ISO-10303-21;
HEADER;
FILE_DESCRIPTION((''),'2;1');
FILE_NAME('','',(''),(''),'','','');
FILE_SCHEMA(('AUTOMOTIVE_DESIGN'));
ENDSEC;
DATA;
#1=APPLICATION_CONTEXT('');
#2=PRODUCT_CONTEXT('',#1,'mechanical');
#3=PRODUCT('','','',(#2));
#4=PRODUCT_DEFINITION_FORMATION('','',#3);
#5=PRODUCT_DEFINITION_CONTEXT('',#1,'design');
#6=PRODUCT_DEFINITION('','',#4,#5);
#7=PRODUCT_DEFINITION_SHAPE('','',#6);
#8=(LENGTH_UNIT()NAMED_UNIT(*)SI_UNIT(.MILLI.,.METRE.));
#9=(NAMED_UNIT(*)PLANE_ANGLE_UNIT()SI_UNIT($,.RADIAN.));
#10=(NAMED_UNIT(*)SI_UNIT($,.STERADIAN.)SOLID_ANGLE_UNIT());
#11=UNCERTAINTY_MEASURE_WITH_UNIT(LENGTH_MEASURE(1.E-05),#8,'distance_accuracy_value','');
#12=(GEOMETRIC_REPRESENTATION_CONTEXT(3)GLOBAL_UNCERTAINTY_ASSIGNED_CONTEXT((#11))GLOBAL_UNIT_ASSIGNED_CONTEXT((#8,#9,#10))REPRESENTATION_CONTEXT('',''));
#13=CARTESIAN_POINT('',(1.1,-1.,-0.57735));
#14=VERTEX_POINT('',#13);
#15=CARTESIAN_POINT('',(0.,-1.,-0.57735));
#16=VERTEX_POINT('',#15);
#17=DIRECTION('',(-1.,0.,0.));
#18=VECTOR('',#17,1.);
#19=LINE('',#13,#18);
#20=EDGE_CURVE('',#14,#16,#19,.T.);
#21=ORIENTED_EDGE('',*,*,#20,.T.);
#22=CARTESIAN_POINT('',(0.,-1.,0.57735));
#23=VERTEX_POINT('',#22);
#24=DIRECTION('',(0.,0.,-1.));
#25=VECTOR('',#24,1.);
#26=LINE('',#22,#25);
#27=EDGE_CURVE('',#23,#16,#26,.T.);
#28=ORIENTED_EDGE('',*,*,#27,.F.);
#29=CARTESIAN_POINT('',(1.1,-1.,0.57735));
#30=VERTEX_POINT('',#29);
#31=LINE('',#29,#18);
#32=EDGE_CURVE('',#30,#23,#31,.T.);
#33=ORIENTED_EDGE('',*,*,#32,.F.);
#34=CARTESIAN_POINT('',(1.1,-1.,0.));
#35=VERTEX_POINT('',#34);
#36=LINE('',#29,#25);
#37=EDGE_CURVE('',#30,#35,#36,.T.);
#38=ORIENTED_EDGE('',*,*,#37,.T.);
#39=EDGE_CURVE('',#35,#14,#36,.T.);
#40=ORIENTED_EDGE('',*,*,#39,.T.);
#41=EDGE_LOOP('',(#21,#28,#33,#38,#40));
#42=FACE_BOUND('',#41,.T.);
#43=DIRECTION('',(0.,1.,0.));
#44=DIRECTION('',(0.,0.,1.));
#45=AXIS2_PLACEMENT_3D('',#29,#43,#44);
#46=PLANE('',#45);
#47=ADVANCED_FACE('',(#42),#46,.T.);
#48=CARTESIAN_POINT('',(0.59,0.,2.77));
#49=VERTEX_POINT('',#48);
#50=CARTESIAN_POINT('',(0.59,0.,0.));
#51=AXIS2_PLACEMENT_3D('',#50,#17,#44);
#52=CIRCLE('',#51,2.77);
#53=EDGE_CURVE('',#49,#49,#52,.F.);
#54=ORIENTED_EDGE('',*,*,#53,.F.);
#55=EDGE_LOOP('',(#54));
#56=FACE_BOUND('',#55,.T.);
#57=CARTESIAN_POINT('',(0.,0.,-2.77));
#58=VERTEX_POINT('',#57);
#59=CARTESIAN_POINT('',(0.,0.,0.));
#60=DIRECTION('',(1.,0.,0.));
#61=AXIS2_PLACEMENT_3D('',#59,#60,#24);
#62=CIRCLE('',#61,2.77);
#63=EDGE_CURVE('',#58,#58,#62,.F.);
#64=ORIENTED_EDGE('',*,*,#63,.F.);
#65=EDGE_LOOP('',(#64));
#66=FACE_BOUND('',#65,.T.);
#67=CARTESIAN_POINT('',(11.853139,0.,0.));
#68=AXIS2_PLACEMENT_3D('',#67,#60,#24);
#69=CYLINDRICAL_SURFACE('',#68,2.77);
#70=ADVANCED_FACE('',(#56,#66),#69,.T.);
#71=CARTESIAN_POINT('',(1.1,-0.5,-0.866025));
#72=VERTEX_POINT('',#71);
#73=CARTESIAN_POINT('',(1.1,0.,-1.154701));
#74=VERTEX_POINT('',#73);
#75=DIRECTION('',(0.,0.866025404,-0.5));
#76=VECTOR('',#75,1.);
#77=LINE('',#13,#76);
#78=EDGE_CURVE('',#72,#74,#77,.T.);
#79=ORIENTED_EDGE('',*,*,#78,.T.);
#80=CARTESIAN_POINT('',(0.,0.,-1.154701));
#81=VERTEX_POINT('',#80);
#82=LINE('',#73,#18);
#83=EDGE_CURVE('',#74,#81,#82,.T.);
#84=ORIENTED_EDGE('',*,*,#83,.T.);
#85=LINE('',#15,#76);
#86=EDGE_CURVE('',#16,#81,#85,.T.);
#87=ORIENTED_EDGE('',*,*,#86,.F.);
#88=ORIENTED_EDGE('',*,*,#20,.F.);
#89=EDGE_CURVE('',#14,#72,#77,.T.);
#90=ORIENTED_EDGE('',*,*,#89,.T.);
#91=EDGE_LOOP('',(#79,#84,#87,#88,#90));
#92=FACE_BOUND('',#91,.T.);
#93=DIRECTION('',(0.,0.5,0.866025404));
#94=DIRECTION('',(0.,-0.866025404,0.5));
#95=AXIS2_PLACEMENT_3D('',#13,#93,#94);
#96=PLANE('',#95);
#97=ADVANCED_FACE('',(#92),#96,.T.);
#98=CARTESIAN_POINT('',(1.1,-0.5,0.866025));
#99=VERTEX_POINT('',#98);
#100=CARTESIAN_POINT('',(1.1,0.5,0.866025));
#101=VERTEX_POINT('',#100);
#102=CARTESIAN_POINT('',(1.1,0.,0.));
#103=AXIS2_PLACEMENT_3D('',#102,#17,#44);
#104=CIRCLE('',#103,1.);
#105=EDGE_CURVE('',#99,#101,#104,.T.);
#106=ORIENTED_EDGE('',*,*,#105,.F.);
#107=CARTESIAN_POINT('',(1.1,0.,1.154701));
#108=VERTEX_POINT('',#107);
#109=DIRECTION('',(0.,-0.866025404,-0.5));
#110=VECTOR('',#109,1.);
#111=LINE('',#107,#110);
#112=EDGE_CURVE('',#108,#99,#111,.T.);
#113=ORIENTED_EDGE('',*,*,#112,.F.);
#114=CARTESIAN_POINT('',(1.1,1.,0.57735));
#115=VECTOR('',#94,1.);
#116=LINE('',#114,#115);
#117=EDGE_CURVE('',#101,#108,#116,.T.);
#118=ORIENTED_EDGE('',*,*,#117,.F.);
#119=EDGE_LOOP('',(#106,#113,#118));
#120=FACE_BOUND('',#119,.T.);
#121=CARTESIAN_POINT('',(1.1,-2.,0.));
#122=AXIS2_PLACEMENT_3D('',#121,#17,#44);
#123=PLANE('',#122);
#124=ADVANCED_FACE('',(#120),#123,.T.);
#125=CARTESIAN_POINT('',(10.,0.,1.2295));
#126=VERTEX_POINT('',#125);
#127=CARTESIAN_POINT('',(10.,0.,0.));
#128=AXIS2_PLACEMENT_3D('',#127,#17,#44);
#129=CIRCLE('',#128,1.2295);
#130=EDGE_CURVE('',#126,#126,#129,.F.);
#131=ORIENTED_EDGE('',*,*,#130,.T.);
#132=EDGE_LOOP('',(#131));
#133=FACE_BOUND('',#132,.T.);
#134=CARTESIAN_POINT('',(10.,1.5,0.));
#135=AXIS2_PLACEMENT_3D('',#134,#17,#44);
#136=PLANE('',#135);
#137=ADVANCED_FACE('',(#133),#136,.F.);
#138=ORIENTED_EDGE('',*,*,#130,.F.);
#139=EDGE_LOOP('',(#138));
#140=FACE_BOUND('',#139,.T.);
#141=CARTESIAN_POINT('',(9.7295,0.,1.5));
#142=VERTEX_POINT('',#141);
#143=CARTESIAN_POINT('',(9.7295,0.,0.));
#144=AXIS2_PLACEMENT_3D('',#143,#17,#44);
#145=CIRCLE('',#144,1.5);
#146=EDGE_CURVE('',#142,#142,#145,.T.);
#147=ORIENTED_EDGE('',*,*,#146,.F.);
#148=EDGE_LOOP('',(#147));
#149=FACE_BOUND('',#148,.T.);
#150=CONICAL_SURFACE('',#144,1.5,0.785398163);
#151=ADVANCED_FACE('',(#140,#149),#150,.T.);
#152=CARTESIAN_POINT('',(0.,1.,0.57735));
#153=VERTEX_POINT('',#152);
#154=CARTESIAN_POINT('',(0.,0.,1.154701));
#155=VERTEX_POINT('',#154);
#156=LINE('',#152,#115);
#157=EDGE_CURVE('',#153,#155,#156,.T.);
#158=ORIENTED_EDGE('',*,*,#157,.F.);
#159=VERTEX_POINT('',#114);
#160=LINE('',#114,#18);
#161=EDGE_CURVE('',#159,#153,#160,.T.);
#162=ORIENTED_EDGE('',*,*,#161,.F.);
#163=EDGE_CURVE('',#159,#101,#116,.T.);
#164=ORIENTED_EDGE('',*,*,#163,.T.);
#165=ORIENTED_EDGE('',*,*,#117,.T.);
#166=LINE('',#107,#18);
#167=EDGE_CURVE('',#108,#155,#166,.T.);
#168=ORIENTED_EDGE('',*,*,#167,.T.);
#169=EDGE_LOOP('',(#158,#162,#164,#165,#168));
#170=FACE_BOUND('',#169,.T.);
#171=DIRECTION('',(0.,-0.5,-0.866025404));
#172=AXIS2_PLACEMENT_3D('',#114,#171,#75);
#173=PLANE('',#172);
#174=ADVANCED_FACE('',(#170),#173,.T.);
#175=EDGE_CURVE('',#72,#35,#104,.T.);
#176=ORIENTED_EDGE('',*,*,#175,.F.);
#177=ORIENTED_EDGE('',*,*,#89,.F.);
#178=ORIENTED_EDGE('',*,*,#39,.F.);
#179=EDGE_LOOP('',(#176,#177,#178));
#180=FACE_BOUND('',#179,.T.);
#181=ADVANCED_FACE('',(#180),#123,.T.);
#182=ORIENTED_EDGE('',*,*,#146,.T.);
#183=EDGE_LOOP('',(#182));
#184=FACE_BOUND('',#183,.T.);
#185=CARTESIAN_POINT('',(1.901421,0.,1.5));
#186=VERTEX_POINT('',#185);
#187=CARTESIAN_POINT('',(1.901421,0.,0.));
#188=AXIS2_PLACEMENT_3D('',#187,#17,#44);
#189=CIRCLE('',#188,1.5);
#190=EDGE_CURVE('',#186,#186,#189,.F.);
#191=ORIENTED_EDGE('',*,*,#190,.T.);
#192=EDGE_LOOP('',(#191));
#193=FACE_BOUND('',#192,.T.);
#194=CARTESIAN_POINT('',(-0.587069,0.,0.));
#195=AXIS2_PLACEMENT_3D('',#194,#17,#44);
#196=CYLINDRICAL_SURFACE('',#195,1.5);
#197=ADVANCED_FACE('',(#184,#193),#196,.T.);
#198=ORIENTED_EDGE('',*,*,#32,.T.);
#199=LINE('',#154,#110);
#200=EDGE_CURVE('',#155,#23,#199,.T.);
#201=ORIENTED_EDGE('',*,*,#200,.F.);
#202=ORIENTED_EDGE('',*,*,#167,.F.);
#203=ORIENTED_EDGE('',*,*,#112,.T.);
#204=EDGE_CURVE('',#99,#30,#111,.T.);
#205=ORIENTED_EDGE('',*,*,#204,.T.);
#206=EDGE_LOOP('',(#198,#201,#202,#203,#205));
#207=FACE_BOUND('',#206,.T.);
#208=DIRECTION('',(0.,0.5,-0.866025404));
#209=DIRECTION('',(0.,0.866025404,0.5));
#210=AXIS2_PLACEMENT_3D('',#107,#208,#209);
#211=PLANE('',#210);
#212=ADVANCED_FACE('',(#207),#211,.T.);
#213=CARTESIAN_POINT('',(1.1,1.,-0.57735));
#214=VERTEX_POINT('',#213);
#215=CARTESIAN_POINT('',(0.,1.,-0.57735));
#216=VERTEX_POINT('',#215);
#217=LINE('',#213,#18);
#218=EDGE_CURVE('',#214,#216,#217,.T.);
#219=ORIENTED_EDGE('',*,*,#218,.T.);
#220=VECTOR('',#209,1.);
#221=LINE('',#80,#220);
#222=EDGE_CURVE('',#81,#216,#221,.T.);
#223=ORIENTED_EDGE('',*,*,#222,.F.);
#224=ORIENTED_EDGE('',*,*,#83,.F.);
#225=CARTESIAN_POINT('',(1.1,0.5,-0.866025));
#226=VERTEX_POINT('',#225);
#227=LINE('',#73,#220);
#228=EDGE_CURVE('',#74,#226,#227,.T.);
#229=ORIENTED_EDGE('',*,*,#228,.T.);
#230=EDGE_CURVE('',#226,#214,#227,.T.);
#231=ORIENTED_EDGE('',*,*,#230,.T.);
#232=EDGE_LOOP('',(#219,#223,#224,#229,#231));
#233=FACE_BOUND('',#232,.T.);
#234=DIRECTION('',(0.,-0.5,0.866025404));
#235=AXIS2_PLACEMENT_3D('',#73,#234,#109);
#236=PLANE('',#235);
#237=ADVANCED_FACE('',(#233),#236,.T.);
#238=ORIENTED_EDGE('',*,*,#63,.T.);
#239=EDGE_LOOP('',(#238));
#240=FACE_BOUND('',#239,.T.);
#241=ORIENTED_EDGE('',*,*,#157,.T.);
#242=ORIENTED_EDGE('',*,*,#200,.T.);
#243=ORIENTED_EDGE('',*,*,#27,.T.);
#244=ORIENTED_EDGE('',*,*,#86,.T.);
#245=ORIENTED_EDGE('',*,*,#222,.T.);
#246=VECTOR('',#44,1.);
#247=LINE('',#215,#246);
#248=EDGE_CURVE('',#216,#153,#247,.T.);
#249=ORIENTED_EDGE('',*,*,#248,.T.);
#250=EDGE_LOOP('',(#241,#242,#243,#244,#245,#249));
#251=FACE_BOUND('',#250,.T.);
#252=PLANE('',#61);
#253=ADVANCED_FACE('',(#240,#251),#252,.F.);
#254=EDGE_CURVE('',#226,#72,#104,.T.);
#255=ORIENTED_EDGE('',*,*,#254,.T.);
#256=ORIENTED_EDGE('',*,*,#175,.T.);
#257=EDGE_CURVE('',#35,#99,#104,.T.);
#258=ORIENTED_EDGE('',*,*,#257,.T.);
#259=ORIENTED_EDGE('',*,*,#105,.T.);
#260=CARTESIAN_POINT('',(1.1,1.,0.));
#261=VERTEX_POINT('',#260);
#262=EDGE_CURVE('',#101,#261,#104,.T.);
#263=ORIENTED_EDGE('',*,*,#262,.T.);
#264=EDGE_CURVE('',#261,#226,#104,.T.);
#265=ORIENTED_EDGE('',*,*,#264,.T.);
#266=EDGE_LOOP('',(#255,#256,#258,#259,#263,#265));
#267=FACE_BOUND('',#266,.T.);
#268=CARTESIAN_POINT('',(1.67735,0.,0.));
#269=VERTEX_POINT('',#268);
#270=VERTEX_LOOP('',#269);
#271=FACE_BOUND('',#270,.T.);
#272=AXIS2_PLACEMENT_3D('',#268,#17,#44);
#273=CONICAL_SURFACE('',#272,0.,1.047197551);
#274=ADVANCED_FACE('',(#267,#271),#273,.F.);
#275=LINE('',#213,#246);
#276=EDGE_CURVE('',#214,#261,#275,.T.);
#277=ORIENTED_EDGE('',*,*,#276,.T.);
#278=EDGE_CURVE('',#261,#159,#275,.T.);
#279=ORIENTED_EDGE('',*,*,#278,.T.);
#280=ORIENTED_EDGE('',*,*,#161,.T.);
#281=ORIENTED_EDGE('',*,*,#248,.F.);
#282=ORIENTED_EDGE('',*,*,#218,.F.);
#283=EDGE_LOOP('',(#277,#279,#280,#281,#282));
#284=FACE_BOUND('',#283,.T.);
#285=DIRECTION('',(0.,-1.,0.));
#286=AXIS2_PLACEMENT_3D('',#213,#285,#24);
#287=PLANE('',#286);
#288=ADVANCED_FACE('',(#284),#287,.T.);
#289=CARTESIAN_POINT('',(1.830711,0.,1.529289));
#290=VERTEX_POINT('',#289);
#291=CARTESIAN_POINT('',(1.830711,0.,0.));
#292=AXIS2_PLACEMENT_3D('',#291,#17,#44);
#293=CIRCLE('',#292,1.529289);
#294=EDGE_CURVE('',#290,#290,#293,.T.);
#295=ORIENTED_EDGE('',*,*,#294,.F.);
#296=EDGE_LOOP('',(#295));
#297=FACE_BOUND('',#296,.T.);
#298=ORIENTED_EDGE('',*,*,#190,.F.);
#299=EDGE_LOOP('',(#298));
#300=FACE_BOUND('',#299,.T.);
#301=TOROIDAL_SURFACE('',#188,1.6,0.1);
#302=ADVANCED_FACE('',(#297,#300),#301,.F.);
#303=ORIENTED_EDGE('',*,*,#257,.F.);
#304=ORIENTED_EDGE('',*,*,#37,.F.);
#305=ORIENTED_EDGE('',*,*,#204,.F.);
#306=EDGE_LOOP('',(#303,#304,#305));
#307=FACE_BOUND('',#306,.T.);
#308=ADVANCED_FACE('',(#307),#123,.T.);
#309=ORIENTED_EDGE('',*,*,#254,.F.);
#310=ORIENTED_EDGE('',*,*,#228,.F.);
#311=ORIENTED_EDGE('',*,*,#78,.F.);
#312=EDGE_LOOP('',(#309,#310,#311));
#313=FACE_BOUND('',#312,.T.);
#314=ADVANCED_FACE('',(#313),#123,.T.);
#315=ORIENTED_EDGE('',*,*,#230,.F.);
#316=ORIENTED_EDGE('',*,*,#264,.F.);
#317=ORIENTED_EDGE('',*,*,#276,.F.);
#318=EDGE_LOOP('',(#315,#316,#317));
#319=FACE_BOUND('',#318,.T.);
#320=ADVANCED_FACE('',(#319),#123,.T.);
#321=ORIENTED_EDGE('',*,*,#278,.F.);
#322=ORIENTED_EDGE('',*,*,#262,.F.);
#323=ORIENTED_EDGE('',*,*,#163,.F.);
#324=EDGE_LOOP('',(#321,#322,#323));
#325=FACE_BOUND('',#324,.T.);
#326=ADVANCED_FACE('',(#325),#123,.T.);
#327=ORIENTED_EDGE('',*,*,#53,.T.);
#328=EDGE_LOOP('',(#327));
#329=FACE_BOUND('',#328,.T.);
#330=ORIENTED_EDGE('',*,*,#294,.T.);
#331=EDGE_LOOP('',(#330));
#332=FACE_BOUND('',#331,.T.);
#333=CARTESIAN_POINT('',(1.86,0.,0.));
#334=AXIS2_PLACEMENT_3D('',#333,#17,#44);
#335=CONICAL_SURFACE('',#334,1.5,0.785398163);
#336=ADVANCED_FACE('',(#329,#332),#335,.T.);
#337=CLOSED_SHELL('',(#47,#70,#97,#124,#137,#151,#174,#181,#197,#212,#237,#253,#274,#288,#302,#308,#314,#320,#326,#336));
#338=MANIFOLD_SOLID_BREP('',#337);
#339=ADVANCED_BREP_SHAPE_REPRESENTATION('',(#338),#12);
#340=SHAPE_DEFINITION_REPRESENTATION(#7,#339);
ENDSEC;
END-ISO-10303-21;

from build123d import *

# Parameters (mm, degrees)
HEXAGONSOCKET_DEPTH = 1.1
HEADFILLET_R        = 0.1
CHAMFER_2_SIZE      = 0.2705
SKETCH4_W           = 5
SKETCH4_H           = 5


with BuildPart() as part:
    # Sketch1 → Base (revolve)
    with BuildSketch(Plane.XY, mode=Mode.PRIVATE) as base_sk:
        Polygon((0, 0), (0, 3.36), (1.86, 1.5), (10, 1.5), (10, 0), align=None)
    revolve(base_sk.sketch.rotate(Axis((-0.587069181, 0, 0), (1, 0, 0)), 90), axis=Axis((-0.587069181, 0, 0), (1, 0, 0)))

    # Sketch2 → HexagonSocket (cut)
    with BuildSketch(Plane(origin=(0, 0, 0), x_dir=(0, 0, -1), z_dir=(1, 0, 0))):
        Polygon((1.154700538, 0), (0.577350269, 1), (-0.577350269, 1), (-1.154700538, 0), (-0.577350269, -1), (0.577350269, -1), align=None)
    extrude(amount=HEXAGONSOCKET_DEPTH, mode=Mode.SUBTRACT)

    # Sketch3 → Cut-Revolve1 (revolve, cut)
    with BuildSketch(Plane.XY, mode=Mode.PRIVATE) as cut_revolve1_sk:
        Polygon((1.1, 1), (1.677350269, 0), (1.1, 0), align=None)
    revolve(cut_revolve1_sk.sketch.rotate(Axis((-0.439109555, 0, 0), (1, 0, 0)), 90), axis=Axis((-0.439109555, 0, 0), (1, 0, 0)), mode=Mode.SUBTRACT)

    # HeadFillet
    headfillet_edges = [part.edges().sort_by_distance(p)[0] for p in [
        (1.86, 0, -1.5),
    ]]
    fillet(headfillet_edges, radius=HEADFILLET_R)

    # Chamfer 2
    chamfer_2_edges = [part.edges().sort_by_distance(p)[0] for p in [
        (10, 0, -1.5),
    ]]
    chamfer(chamfer_2_edges, length=CHAMFER_2_SIZE)

    # Sketch4 → Cut-Revolve2 (revolve, cut)
    with BuildSketch(Plane(origin=(0, 0, 0), x_dir=(1, 0, 0), z_dir=(0, 1, 0)), mode=Mode.PRIVATE) as cut_revolve2_sk:
        with Locations((0.5, 5.27)):
            Rectangle(SKETCH4_W, SKETCH4_H)
    revolve(cut_revolve2_sk.sketch.rotate(Axis((11.853138686, 0, 0), (-1, 0, 0)), 180), axis=Axis((11.853138686, 0, 0), (-1, 0, 0)), mode=Mode.SUBTRACT)


solid = part.part
